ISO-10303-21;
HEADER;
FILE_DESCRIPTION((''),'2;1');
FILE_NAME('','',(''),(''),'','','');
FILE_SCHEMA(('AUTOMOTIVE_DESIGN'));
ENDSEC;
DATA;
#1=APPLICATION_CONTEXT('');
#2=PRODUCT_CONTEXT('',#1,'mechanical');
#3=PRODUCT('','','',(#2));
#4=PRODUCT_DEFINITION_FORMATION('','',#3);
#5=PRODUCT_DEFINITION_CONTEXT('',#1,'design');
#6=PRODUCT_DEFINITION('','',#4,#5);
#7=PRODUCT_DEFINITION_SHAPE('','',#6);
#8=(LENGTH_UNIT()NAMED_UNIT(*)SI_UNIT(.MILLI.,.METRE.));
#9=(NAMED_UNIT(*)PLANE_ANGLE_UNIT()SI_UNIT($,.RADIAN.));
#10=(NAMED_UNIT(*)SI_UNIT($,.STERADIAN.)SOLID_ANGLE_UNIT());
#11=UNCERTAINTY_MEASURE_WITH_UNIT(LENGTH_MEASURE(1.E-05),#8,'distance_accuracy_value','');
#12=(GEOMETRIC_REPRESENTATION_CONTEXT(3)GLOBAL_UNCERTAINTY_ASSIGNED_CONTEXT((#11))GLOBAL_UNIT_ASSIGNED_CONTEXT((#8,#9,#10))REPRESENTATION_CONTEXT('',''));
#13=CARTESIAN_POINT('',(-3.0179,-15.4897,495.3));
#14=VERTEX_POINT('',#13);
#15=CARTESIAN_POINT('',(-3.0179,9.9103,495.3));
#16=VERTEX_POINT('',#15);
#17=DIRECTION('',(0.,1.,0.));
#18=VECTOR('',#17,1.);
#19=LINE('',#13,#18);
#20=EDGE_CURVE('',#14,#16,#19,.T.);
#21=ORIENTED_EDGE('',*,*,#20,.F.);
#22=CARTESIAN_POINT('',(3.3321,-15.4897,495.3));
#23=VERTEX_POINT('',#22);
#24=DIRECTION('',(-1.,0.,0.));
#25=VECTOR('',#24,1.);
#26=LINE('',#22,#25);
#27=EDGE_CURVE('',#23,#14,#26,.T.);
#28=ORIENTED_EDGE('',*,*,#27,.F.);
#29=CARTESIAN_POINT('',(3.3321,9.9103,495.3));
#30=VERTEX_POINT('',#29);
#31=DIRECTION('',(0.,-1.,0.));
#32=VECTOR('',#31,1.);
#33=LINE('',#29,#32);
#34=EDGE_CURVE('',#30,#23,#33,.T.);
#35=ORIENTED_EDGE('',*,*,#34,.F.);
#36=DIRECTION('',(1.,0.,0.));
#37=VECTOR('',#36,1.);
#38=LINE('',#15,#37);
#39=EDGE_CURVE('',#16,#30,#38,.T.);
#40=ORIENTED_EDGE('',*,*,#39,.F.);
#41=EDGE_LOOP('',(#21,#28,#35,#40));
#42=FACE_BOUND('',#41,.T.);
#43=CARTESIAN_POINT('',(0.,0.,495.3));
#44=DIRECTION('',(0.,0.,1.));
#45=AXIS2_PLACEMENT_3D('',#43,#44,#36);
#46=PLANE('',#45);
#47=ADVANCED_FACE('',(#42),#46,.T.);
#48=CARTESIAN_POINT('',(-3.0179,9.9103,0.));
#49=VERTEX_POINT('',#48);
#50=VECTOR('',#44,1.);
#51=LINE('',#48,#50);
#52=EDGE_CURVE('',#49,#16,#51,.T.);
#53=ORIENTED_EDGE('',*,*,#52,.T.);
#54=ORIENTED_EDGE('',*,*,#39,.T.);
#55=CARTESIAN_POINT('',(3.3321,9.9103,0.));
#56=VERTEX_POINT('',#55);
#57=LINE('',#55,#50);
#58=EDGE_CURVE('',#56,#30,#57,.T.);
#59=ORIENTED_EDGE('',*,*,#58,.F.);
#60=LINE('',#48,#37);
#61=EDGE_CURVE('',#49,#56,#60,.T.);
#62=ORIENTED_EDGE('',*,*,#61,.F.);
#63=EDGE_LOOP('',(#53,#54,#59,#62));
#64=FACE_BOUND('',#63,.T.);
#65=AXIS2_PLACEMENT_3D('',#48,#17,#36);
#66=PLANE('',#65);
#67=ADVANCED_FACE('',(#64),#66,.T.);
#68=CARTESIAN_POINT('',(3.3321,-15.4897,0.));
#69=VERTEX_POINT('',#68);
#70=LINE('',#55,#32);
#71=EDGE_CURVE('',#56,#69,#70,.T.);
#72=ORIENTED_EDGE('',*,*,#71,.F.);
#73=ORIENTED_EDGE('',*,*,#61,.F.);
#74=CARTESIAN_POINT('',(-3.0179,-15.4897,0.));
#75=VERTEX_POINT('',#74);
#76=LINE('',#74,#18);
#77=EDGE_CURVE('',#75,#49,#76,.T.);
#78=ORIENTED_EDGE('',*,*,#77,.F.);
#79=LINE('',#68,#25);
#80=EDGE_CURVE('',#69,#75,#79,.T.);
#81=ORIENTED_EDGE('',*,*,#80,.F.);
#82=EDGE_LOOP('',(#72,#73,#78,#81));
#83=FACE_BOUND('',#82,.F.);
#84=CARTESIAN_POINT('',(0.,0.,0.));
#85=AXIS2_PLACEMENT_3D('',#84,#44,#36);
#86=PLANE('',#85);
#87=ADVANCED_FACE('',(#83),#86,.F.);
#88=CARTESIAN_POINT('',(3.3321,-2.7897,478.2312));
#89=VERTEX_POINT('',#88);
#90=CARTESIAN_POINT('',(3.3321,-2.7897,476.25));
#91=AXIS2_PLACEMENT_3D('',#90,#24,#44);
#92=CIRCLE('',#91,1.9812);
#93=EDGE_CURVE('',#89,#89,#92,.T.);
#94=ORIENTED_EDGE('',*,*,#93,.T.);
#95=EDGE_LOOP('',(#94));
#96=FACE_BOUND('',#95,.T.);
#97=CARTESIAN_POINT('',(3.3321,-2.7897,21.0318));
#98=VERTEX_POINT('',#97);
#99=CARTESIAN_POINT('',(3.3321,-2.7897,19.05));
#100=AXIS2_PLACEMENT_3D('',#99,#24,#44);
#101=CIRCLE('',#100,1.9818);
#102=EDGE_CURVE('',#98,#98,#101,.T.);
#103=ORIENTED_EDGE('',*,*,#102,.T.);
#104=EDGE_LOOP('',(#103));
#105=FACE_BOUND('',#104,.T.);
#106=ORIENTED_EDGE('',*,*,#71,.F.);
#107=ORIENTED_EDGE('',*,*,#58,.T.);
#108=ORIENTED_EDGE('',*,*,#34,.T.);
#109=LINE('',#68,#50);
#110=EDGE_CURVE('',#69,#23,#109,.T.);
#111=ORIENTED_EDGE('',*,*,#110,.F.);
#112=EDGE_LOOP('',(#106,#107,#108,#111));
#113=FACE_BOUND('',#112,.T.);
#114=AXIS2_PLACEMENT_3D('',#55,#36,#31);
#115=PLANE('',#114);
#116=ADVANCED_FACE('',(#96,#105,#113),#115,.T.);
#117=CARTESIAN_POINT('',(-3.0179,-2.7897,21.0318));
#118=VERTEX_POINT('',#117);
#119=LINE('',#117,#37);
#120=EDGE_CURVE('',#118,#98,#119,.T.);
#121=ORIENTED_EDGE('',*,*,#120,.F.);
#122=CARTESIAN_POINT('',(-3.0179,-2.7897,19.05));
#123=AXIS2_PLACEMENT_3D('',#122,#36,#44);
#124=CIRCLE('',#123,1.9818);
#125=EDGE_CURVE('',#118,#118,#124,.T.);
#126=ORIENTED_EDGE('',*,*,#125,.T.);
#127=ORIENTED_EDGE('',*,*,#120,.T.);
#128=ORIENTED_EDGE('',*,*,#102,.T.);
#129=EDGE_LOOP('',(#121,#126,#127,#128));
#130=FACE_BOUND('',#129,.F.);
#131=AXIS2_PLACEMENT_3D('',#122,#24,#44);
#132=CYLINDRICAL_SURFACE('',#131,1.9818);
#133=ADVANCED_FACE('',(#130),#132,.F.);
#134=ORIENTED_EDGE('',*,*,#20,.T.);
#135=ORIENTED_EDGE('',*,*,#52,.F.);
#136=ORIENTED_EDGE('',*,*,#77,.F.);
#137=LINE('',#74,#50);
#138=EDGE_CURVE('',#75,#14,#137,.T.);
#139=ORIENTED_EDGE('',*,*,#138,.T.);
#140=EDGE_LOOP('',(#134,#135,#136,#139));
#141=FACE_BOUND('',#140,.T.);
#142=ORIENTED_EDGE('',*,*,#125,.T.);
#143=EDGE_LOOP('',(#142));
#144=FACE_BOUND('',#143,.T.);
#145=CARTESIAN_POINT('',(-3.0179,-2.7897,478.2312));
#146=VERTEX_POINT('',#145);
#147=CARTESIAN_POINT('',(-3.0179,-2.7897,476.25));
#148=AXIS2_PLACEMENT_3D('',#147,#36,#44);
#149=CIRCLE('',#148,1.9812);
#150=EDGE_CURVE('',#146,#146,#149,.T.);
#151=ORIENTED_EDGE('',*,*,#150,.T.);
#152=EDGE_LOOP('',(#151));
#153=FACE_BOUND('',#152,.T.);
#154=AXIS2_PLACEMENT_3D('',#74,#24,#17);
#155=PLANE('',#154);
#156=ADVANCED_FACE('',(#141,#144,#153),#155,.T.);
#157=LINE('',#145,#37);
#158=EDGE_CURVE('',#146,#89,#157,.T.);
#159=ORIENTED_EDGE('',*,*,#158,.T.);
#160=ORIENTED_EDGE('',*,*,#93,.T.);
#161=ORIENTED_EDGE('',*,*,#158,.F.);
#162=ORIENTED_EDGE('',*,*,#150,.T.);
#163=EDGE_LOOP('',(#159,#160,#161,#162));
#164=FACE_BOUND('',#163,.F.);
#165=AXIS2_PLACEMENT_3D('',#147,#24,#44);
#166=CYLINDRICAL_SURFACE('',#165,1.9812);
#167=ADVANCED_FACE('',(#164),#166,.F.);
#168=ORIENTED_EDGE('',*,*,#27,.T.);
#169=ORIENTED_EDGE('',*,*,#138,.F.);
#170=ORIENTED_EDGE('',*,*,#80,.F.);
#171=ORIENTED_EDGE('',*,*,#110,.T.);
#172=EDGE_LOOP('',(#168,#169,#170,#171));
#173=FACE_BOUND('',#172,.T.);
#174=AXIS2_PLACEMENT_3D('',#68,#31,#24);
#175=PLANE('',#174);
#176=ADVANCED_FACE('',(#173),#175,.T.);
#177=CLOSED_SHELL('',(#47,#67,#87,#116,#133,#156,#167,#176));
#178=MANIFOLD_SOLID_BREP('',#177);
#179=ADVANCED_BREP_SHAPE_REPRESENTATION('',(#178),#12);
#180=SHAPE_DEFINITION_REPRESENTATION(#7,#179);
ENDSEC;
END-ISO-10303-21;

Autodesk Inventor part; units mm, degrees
ref_plane "YZ Plane" through (0, 0, 0) normal (1, 0, 0) x (0, 1, 0)
ref_plane "XZ Plane" through (0, 0, 0) normal (0, 1, 0) x (-1, 0, 0)
ref_plane "XY Plane" through (0, 0, 0) normal (0, 0, 1) x (1, 0, 0)
sketch "Sketch1" plane through (0, 0, 0) normal (0, 0, 1) x (1, 0, 0)
  line L0 (-3.0179, 9.9103) -> (3.3321, 9.9103)
  line L1 (3.3321, 9.9103) -> (3.3321, -15.4897)
  line L2 (3.3321, -15.4897) -> (-3.0179, -15.4897)
  line L3 (-3.0179, -15.4897) -> (-3.0179, 9.9103)
  point P0 (0, 0)
  dimension "d0" = 6.35
  dimension "d1" = 25.4
extrude "Extrusion1" add sketch "Sketch1" along normal blind 495.3
sketch "Sketch2" plane through (-3.0179, -15.4897, 0) normal (-1, 0, 0) x (0, 0, 1)
  line L0 (0, 25.4) -> (495.3, 25.4) projected
  line L1 (0, 0) -> (0, 25.4) projected
  line L2 (0, 0) -> (495.3, 0) projected
  line L3 (495.3, 25.4) -> (463.55, 25.4)
  line L4 (495.3, 0) -> (488.95, 0)
  line L5 (488.95, 0) -> (463.55, 25.4)
  line L6 (488.95, 25.4) -> (463.55, 0)
  circle A0 centre (476.25, 12.7) radius 1.9812
  line L7 (0, 12.7) -> (60.7, 12.7)
  line L8 (0, 0) -> (31.75, 0)
  line L9 (31.75, 0) -> (9.4445, 22.3055)
  circle A1 centre (19.05, 12.7) radius 1.9818
  point P0 (0, 15.4897)
  dimension "d4" = 31.75
  dimension "d5" = 6.35
  dimension "d6" = 3.9624
  dimension "d7" = 31.75
  dimension "d8" = 45
extrude "Extrusion2" cut sketch "Sketch2" against normal blind 25.4 contours A0 L6 L5 | L5 L6 A0 | A1 L9 L7 | L7 L9 A1 | A0 L5 L6 | L5 A0 L6 | L9 A1 L7 | L7 A1 L9
properties part number "it (tech) support"
